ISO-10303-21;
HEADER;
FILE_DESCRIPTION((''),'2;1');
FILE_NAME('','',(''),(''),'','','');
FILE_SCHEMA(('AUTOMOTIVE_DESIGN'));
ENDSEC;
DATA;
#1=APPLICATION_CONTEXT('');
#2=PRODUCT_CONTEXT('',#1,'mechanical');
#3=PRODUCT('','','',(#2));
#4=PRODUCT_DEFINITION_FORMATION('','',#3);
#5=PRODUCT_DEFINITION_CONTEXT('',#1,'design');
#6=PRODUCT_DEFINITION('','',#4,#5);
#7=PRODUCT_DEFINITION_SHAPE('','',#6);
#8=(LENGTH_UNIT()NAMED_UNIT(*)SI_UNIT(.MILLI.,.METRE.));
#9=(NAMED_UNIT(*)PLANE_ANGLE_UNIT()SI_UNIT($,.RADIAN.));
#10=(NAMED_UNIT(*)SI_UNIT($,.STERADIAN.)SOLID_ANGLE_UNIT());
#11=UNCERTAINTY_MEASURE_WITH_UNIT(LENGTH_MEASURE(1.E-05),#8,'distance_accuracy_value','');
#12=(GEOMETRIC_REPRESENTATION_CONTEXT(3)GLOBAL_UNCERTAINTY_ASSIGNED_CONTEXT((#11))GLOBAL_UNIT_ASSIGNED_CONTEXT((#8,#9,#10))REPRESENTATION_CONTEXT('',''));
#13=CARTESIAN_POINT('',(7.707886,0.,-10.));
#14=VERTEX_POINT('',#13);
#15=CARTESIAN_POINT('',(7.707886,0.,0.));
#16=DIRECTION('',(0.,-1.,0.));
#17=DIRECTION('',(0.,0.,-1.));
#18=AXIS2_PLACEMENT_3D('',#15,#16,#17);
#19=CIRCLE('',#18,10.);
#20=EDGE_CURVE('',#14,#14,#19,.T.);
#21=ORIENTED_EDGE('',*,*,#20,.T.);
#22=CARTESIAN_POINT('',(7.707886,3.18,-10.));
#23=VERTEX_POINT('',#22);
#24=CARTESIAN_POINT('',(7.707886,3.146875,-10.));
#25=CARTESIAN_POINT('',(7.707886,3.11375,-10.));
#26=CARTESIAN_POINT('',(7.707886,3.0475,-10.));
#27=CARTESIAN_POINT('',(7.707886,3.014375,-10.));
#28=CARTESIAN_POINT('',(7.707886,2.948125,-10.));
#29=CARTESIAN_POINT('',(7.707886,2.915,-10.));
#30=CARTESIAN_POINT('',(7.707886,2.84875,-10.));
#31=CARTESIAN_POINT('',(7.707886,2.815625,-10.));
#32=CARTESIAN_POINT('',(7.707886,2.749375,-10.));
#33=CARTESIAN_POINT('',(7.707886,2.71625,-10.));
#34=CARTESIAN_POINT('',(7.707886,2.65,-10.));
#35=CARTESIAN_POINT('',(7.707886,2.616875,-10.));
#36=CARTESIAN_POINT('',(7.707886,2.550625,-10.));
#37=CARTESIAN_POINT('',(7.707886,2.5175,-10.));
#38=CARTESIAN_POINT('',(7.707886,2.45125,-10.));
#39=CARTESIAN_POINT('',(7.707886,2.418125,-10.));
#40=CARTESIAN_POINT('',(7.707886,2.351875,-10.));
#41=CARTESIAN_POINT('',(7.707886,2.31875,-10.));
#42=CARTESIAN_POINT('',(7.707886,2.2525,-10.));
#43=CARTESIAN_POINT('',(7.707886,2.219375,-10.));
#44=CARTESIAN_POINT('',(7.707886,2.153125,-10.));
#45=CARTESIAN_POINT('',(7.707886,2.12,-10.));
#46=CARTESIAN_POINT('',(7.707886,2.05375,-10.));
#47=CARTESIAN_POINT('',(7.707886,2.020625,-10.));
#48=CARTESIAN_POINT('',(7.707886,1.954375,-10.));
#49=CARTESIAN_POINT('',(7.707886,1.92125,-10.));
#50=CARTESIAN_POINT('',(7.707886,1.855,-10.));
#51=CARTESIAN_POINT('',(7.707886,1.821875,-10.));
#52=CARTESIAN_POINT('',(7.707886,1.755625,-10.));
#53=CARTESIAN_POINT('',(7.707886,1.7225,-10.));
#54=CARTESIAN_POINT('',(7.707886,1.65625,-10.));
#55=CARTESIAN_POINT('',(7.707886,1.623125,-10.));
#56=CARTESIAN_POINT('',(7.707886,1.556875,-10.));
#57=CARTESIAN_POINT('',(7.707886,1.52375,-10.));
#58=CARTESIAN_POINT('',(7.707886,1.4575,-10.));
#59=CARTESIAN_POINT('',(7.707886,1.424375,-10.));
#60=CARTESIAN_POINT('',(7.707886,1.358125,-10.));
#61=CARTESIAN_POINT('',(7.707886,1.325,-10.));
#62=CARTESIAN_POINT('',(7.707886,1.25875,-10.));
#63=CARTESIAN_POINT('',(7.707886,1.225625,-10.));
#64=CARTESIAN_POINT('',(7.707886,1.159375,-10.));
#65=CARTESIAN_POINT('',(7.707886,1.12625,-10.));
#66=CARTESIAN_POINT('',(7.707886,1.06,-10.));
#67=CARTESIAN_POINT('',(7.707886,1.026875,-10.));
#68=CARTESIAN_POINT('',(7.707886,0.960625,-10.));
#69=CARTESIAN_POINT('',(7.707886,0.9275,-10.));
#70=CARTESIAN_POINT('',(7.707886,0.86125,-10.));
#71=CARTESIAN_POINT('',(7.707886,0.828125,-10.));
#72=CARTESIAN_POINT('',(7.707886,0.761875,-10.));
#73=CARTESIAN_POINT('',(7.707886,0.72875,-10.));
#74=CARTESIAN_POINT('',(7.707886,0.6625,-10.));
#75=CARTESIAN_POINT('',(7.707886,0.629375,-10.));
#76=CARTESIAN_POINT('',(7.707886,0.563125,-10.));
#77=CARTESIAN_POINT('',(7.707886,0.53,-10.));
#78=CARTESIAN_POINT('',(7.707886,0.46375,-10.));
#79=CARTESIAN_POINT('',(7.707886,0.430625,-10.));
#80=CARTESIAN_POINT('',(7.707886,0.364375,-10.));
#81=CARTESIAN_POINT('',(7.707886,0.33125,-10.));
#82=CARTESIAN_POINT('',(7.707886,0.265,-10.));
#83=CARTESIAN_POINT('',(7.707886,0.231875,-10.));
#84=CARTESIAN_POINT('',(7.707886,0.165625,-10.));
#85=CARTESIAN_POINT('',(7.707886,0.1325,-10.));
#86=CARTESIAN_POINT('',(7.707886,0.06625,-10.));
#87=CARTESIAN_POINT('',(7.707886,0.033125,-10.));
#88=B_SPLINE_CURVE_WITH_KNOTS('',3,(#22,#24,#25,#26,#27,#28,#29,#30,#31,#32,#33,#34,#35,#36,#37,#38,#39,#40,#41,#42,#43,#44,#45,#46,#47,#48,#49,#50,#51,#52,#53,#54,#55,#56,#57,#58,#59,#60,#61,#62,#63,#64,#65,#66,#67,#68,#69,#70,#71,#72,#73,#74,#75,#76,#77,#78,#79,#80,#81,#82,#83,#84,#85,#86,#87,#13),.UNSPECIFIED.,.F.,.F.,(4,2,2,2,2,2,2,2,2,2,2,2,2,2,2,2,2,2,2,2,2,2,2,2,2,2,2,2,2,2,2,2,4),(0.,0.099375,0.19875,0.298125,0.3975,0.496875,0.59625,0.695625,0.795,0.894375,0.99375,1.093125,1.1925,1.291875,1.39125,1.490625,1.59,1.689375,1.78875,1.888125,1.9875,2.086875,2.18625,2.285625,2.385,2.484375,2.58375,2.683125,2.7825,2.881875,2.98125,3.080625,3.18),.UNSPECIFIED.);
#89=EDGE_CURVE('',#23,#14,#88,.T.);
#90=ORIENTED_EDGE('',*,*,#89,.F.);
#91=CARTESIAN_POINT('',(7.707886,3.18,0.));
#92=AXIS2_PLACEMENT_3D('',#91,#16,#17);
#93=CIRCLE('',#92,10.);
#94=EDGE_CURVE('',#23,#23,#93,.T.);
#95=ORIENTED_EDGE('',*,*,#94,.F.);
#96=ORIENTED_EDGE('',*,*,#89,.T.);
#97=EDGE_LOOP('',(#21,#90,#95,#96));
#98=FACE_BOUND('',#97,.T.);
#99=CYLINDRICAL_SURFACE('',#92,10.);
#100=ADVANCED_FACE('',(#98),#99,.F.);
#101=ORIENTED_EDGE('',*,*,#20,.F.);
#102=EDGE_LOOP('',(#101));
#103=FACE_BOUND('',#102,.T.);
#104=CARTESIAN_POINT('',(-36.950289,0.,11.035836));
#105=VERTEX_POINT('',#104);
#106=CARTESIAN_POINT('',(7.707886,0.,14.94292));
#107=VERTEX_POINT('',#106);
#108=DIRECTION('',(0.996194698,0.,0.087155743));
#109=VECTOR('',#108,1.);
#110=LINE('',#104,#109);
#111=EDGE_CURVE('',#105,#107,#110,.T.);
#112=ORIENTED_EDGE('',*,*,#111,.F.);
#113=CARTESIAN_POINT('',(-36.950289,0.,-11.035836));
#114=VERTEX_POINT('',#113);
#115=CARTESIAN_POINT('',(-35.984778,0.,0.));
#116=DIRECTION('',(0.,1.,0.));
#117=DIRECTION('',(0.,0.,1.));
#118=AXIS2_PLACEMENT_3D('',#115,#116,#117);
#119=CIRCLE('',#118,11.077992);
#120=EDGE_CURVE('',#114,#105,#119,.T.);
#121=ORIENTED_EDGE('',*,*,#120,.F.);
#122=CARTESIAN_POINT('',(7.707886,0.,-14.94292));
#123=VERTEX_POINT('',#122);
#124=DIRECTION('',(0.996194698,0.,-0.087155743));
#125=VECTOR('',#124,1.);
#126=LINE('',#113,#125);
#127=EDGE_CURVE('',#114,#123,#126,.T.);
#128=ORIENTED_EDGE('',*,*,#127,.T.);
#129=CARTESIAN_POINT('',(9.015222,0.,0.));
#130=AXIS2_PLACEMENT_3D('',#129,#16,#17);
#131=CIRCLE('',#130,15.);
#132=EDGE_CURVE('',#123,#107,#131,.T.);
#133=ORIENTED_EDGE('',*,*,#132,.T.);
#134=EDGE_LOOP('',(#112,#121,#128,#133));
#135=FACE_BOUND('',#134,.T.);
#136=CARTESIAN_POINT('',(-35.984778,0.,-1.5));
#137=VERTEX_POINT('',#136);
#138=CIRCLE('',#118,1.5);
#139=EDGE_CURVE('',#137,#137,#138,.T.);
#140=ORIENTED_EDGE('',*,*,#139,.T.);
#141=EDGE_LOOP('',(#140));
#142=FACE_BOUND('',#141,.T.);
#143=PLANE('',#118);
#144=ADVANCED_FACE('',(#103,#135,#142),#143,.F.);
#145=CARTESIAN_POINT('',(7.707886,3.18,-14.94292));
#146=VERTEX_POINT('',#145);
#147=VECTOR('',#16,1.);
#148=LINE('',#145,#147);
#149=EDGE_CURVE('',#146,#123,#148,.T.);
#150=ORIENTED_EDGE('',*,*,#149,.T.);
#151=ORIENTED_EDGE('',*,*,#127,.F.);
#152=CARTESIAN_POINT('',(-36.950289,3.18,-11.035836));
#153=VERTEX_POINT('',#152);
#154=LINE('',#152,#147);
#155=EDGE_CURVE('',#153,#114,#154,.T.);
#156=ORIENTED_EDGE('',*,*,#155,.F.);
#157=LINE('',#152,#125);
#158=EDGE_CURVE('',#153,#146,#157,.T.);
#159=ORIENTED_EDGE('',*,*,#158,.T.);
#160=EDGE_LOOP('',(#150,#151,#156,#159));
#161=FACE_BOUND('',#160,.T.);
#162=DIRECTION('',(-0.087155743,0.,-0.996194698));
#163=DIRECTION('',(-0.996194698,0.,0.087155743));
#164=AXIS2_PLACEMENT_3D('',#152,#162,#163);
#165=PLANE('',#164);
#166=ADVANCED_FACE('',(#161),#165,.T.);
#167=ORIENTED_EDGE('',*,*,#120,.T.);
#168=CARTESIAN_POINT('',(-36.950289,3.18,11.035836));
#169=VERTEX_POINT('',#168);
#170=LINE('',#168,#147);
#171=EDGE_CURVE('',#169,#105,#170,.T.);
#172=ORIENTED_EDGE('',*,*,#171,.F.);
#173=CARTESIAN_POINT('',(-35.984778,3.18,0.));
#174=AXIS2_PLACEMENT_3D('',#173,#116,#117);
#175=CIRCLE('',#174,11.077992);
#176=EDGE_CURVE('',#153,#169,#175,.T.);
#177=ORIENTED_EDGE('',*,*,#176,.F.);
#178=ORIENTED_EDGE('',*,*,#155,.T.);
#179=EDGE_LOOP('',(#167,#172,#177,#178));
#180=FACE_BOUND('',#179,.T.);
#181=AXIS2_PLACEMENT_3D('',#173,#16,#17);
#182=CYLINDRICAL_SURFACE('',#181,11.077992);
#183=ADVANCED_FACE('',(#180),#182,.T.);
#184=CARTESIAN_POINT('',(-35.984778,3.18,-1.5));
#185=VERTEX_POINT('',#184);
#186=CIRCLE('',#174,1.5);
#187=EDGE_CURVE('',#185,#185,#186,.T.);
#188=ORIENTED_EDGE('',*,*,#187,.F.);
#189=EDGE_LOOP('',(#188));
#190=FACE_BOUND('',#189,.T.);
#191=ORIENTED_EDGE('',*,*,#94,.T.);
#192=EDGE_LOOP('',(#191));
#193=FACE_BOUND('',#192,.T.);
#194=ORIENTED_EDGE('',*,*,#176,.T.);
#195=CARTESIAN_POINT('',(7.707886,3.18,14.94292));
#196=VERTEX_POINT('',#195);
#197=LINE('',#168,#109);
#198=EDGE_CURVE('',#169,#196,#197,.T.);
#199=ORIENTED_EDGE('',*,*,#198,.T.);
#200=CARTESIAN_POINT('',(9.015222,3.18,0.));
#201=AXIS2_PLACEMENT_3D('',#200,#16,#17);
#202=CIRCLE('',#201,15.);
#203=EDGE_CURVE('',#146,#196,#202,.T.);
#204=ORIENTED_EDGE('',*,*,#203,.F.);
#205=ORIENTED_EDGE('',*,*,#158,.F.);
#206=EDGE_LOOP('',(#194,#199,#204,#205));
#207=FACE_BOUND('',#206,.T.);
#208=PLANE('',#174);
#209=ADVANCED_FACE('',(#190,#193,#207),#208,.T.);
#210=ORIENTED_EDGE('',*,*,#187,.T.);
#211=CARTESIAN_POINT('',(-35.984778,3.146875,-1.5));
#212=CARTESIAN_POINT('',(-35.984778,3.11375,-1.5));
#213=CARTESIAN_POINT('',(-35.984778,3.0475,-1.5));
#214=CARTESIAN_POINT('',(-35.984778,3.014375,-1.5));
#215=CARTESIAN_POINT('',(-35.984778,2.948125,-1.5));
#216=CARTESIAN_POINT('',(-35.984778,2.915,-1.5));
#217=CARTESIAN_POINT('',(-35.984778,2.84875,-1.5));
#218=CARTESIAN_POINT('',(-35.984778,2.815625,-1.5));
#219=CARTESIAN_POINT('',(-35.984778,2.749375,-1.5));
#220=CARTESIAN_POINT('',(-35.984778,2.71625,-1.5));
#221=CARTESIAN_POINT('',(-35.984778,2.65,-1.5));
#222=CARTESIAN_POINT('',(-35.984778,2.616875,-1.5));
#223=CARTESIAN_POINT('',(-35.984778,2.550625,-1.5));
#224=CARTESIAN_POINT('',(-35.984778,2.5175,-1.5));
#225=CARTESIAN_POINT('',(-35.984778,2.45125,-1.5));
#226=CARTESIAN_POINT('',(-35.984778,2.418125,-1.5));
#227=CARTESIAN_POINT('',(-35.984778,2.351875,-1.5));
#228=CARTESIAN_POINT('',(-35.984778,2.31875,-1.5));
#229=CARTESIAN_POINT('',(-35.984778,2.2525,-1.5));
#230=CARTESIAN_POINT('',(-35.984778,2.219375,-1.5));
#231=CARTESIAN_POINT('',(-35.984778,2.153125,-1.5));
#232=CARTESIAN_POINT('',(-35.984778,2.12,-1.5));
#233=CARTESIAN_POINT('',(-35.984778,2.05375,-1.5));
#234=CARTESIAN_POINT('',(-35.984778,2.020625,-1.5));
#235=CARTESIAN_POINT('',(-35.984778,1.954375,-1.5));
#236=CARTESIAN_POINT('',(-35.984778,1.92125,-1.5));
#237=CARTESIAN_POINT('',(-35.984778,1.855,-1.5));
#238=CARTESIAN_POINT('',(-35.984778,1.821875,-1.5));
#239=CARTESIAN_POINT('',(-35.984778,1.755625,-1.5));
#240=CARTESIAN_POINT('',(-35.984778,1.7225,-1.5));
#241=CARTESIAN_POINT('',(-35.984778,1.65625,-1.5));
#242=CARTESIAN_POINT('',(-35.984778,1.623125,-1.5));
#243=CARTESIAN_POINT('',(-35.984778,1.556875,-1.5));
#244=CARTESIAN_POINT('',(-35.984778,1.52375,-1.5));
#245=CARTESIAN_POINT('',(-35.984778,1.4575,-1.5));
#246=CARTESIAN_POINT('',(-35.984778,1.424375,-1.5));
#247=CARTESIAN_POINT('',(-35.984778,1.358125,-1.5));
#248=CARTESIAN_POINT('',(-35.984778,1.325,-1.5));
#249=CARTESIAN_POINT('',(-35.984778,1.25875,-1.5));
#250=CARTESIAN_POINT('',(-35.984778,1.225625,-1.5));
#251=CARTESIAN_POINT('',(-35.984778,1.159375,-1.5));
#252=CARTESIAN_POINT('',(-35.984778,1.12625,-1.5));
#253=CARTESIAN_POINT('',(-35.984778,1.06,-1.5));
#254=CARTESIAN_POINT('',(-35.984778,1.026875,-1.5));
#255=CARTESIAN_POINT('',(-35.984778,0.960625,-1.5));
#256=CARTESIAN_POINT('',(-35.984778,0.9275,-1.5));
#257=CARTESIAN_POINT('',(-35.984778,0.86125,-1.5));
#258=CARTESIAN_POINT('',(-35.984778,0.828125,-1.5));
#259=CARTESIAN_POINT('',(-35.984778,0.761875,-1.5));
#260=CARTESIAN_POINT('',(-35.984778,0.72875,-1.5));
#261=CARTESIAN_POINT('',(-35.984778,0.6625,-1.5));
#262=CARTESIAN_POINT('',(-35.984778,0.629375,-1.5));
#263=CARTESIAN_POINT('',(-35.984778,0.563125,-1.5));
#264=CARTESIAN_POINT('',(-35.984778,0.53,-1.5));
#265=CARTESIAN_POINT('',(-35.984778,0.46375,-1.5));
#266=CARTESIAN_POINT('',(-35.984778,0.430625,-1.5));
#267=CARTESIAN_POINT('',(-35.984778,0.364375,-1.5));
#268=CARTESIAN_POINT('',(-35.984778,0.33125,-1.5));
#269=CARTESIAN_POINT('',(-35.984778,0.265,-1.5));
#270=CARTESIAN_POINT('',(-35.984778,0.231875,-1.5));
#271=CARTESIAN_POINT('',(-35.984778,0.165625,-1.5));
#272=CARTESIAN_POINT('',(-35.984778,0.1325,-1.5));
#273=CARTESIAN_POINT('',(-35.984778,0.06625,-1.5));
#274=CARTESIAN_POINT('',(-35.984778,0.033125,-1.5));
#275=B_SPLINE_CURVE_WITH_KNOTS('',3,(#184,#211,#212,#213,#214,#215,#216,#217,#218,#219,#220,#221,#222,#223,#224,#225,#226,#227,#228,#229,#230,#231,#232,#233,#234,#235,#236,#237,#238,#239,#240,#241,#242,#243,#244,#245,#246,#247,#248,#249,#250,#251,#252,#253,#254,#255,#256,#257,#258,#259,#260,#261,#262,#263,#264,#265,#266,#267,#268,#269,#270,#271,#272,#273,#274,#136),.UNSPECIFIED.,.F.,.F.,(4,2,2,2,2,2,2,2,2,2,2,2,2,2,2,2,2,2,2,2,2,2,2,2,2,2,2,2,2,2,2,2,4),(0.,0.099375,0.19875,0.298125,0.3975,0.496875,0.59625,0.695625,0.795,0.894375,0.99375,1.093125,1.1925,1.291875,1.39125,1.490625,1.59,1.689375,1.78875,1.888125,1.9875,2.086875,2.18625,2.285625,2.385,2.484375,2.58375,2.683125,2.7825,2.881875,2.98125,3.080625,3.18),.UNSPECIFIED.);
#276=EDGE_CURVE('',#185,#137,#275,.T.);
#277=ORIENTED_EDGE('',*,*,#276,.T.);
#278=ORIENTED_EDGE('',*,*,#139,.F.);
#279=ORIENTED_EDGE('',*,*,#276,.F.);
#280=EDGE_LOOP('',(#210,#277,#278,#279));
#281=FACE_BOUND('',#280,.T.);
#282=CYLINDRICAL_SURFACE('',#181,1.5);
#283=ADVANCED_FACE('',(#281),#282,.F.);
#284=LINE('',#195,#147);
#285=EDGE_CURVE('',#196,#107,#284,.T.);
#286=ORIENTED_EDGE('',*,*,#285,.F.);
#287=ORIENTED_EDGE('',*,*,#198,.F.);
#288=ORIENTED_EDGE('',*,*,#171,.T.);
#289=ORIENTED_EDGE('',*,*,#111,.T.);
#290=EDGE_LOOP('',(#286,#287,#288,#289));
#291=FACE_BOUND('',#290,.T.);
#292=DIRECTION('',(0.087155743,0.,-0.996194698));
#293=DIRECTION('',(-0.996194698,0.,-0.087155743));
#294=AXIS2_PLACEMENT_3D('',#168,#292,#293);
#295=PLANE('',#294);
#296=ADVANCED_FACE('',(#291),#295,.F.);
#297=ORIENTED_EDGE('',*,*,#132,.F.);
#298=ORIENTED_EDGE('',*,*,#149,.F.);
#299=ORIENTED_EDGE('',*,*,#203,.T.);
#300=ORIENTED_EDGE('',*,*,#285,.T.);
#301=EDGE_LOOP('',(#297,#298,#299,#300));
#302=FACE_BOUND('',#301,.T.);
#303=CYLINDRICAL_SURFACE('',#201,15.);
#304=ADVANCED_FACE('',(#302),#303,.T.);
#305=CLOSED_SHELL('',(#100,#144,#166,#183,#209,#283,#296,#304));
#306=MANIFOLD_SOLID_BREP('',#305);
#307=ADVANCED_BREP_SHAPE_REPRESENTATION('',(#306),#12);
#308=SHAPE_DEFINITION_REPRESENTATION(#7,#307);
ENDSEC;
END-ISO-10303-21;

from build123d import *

# Parameters (mm, degrees)
SKETCH1_R           = 1.5
BOSS_EXTRUDE1_DEPTH = 3.18
SKETCH2_R           = 10
CUT_EXTRUDE1_DEPTH  = 3.18


with BuildPart() as part:
    # Sketch1 → Boss-Extrude1 (new body)
    with BuildSketch(Plane(origin=(0, 0, 0), x_dir=(1, 0, 0), z_dir=(0, 1, 0))):
        with BuildLine():
            Line((-36.950288588, 11.035836474), (7.707885855, 14.942920471))
            ThreePointArc((7.707885855, 14.942920471), (24.015221996, 0), (7.707885855, -14.942920471))
            Line((7.707885855, -14.942920471), (-36.950288588, -11.035836474))
            ThreePointArc((-36.950288588, -11.035836474), (-47.062769581, 0), (-36.950288588, 11.035836474))
        make_face()
        with Locations(Location((-35.984778004, 0, 0), (0, 0, 90))):
            Circle(SKETCH1_R, mode=Mode.SUBTRACT)
    extrude(amount=BOSS_EXTRUDE1_DEPTH)

    # Sketch2 → Cut-Extrude1 (cut)
    with BuildSketch(Plane.XZ):
        with Locations(Location((7.707885855, 0, 0), (0, 0, 270))):
            Circle(SKETCH2_R)
    extrude(amount=-CUT_EXTRUDE1_DEPTH, mode=Mode.SUBTRACT)


solid = part.part
